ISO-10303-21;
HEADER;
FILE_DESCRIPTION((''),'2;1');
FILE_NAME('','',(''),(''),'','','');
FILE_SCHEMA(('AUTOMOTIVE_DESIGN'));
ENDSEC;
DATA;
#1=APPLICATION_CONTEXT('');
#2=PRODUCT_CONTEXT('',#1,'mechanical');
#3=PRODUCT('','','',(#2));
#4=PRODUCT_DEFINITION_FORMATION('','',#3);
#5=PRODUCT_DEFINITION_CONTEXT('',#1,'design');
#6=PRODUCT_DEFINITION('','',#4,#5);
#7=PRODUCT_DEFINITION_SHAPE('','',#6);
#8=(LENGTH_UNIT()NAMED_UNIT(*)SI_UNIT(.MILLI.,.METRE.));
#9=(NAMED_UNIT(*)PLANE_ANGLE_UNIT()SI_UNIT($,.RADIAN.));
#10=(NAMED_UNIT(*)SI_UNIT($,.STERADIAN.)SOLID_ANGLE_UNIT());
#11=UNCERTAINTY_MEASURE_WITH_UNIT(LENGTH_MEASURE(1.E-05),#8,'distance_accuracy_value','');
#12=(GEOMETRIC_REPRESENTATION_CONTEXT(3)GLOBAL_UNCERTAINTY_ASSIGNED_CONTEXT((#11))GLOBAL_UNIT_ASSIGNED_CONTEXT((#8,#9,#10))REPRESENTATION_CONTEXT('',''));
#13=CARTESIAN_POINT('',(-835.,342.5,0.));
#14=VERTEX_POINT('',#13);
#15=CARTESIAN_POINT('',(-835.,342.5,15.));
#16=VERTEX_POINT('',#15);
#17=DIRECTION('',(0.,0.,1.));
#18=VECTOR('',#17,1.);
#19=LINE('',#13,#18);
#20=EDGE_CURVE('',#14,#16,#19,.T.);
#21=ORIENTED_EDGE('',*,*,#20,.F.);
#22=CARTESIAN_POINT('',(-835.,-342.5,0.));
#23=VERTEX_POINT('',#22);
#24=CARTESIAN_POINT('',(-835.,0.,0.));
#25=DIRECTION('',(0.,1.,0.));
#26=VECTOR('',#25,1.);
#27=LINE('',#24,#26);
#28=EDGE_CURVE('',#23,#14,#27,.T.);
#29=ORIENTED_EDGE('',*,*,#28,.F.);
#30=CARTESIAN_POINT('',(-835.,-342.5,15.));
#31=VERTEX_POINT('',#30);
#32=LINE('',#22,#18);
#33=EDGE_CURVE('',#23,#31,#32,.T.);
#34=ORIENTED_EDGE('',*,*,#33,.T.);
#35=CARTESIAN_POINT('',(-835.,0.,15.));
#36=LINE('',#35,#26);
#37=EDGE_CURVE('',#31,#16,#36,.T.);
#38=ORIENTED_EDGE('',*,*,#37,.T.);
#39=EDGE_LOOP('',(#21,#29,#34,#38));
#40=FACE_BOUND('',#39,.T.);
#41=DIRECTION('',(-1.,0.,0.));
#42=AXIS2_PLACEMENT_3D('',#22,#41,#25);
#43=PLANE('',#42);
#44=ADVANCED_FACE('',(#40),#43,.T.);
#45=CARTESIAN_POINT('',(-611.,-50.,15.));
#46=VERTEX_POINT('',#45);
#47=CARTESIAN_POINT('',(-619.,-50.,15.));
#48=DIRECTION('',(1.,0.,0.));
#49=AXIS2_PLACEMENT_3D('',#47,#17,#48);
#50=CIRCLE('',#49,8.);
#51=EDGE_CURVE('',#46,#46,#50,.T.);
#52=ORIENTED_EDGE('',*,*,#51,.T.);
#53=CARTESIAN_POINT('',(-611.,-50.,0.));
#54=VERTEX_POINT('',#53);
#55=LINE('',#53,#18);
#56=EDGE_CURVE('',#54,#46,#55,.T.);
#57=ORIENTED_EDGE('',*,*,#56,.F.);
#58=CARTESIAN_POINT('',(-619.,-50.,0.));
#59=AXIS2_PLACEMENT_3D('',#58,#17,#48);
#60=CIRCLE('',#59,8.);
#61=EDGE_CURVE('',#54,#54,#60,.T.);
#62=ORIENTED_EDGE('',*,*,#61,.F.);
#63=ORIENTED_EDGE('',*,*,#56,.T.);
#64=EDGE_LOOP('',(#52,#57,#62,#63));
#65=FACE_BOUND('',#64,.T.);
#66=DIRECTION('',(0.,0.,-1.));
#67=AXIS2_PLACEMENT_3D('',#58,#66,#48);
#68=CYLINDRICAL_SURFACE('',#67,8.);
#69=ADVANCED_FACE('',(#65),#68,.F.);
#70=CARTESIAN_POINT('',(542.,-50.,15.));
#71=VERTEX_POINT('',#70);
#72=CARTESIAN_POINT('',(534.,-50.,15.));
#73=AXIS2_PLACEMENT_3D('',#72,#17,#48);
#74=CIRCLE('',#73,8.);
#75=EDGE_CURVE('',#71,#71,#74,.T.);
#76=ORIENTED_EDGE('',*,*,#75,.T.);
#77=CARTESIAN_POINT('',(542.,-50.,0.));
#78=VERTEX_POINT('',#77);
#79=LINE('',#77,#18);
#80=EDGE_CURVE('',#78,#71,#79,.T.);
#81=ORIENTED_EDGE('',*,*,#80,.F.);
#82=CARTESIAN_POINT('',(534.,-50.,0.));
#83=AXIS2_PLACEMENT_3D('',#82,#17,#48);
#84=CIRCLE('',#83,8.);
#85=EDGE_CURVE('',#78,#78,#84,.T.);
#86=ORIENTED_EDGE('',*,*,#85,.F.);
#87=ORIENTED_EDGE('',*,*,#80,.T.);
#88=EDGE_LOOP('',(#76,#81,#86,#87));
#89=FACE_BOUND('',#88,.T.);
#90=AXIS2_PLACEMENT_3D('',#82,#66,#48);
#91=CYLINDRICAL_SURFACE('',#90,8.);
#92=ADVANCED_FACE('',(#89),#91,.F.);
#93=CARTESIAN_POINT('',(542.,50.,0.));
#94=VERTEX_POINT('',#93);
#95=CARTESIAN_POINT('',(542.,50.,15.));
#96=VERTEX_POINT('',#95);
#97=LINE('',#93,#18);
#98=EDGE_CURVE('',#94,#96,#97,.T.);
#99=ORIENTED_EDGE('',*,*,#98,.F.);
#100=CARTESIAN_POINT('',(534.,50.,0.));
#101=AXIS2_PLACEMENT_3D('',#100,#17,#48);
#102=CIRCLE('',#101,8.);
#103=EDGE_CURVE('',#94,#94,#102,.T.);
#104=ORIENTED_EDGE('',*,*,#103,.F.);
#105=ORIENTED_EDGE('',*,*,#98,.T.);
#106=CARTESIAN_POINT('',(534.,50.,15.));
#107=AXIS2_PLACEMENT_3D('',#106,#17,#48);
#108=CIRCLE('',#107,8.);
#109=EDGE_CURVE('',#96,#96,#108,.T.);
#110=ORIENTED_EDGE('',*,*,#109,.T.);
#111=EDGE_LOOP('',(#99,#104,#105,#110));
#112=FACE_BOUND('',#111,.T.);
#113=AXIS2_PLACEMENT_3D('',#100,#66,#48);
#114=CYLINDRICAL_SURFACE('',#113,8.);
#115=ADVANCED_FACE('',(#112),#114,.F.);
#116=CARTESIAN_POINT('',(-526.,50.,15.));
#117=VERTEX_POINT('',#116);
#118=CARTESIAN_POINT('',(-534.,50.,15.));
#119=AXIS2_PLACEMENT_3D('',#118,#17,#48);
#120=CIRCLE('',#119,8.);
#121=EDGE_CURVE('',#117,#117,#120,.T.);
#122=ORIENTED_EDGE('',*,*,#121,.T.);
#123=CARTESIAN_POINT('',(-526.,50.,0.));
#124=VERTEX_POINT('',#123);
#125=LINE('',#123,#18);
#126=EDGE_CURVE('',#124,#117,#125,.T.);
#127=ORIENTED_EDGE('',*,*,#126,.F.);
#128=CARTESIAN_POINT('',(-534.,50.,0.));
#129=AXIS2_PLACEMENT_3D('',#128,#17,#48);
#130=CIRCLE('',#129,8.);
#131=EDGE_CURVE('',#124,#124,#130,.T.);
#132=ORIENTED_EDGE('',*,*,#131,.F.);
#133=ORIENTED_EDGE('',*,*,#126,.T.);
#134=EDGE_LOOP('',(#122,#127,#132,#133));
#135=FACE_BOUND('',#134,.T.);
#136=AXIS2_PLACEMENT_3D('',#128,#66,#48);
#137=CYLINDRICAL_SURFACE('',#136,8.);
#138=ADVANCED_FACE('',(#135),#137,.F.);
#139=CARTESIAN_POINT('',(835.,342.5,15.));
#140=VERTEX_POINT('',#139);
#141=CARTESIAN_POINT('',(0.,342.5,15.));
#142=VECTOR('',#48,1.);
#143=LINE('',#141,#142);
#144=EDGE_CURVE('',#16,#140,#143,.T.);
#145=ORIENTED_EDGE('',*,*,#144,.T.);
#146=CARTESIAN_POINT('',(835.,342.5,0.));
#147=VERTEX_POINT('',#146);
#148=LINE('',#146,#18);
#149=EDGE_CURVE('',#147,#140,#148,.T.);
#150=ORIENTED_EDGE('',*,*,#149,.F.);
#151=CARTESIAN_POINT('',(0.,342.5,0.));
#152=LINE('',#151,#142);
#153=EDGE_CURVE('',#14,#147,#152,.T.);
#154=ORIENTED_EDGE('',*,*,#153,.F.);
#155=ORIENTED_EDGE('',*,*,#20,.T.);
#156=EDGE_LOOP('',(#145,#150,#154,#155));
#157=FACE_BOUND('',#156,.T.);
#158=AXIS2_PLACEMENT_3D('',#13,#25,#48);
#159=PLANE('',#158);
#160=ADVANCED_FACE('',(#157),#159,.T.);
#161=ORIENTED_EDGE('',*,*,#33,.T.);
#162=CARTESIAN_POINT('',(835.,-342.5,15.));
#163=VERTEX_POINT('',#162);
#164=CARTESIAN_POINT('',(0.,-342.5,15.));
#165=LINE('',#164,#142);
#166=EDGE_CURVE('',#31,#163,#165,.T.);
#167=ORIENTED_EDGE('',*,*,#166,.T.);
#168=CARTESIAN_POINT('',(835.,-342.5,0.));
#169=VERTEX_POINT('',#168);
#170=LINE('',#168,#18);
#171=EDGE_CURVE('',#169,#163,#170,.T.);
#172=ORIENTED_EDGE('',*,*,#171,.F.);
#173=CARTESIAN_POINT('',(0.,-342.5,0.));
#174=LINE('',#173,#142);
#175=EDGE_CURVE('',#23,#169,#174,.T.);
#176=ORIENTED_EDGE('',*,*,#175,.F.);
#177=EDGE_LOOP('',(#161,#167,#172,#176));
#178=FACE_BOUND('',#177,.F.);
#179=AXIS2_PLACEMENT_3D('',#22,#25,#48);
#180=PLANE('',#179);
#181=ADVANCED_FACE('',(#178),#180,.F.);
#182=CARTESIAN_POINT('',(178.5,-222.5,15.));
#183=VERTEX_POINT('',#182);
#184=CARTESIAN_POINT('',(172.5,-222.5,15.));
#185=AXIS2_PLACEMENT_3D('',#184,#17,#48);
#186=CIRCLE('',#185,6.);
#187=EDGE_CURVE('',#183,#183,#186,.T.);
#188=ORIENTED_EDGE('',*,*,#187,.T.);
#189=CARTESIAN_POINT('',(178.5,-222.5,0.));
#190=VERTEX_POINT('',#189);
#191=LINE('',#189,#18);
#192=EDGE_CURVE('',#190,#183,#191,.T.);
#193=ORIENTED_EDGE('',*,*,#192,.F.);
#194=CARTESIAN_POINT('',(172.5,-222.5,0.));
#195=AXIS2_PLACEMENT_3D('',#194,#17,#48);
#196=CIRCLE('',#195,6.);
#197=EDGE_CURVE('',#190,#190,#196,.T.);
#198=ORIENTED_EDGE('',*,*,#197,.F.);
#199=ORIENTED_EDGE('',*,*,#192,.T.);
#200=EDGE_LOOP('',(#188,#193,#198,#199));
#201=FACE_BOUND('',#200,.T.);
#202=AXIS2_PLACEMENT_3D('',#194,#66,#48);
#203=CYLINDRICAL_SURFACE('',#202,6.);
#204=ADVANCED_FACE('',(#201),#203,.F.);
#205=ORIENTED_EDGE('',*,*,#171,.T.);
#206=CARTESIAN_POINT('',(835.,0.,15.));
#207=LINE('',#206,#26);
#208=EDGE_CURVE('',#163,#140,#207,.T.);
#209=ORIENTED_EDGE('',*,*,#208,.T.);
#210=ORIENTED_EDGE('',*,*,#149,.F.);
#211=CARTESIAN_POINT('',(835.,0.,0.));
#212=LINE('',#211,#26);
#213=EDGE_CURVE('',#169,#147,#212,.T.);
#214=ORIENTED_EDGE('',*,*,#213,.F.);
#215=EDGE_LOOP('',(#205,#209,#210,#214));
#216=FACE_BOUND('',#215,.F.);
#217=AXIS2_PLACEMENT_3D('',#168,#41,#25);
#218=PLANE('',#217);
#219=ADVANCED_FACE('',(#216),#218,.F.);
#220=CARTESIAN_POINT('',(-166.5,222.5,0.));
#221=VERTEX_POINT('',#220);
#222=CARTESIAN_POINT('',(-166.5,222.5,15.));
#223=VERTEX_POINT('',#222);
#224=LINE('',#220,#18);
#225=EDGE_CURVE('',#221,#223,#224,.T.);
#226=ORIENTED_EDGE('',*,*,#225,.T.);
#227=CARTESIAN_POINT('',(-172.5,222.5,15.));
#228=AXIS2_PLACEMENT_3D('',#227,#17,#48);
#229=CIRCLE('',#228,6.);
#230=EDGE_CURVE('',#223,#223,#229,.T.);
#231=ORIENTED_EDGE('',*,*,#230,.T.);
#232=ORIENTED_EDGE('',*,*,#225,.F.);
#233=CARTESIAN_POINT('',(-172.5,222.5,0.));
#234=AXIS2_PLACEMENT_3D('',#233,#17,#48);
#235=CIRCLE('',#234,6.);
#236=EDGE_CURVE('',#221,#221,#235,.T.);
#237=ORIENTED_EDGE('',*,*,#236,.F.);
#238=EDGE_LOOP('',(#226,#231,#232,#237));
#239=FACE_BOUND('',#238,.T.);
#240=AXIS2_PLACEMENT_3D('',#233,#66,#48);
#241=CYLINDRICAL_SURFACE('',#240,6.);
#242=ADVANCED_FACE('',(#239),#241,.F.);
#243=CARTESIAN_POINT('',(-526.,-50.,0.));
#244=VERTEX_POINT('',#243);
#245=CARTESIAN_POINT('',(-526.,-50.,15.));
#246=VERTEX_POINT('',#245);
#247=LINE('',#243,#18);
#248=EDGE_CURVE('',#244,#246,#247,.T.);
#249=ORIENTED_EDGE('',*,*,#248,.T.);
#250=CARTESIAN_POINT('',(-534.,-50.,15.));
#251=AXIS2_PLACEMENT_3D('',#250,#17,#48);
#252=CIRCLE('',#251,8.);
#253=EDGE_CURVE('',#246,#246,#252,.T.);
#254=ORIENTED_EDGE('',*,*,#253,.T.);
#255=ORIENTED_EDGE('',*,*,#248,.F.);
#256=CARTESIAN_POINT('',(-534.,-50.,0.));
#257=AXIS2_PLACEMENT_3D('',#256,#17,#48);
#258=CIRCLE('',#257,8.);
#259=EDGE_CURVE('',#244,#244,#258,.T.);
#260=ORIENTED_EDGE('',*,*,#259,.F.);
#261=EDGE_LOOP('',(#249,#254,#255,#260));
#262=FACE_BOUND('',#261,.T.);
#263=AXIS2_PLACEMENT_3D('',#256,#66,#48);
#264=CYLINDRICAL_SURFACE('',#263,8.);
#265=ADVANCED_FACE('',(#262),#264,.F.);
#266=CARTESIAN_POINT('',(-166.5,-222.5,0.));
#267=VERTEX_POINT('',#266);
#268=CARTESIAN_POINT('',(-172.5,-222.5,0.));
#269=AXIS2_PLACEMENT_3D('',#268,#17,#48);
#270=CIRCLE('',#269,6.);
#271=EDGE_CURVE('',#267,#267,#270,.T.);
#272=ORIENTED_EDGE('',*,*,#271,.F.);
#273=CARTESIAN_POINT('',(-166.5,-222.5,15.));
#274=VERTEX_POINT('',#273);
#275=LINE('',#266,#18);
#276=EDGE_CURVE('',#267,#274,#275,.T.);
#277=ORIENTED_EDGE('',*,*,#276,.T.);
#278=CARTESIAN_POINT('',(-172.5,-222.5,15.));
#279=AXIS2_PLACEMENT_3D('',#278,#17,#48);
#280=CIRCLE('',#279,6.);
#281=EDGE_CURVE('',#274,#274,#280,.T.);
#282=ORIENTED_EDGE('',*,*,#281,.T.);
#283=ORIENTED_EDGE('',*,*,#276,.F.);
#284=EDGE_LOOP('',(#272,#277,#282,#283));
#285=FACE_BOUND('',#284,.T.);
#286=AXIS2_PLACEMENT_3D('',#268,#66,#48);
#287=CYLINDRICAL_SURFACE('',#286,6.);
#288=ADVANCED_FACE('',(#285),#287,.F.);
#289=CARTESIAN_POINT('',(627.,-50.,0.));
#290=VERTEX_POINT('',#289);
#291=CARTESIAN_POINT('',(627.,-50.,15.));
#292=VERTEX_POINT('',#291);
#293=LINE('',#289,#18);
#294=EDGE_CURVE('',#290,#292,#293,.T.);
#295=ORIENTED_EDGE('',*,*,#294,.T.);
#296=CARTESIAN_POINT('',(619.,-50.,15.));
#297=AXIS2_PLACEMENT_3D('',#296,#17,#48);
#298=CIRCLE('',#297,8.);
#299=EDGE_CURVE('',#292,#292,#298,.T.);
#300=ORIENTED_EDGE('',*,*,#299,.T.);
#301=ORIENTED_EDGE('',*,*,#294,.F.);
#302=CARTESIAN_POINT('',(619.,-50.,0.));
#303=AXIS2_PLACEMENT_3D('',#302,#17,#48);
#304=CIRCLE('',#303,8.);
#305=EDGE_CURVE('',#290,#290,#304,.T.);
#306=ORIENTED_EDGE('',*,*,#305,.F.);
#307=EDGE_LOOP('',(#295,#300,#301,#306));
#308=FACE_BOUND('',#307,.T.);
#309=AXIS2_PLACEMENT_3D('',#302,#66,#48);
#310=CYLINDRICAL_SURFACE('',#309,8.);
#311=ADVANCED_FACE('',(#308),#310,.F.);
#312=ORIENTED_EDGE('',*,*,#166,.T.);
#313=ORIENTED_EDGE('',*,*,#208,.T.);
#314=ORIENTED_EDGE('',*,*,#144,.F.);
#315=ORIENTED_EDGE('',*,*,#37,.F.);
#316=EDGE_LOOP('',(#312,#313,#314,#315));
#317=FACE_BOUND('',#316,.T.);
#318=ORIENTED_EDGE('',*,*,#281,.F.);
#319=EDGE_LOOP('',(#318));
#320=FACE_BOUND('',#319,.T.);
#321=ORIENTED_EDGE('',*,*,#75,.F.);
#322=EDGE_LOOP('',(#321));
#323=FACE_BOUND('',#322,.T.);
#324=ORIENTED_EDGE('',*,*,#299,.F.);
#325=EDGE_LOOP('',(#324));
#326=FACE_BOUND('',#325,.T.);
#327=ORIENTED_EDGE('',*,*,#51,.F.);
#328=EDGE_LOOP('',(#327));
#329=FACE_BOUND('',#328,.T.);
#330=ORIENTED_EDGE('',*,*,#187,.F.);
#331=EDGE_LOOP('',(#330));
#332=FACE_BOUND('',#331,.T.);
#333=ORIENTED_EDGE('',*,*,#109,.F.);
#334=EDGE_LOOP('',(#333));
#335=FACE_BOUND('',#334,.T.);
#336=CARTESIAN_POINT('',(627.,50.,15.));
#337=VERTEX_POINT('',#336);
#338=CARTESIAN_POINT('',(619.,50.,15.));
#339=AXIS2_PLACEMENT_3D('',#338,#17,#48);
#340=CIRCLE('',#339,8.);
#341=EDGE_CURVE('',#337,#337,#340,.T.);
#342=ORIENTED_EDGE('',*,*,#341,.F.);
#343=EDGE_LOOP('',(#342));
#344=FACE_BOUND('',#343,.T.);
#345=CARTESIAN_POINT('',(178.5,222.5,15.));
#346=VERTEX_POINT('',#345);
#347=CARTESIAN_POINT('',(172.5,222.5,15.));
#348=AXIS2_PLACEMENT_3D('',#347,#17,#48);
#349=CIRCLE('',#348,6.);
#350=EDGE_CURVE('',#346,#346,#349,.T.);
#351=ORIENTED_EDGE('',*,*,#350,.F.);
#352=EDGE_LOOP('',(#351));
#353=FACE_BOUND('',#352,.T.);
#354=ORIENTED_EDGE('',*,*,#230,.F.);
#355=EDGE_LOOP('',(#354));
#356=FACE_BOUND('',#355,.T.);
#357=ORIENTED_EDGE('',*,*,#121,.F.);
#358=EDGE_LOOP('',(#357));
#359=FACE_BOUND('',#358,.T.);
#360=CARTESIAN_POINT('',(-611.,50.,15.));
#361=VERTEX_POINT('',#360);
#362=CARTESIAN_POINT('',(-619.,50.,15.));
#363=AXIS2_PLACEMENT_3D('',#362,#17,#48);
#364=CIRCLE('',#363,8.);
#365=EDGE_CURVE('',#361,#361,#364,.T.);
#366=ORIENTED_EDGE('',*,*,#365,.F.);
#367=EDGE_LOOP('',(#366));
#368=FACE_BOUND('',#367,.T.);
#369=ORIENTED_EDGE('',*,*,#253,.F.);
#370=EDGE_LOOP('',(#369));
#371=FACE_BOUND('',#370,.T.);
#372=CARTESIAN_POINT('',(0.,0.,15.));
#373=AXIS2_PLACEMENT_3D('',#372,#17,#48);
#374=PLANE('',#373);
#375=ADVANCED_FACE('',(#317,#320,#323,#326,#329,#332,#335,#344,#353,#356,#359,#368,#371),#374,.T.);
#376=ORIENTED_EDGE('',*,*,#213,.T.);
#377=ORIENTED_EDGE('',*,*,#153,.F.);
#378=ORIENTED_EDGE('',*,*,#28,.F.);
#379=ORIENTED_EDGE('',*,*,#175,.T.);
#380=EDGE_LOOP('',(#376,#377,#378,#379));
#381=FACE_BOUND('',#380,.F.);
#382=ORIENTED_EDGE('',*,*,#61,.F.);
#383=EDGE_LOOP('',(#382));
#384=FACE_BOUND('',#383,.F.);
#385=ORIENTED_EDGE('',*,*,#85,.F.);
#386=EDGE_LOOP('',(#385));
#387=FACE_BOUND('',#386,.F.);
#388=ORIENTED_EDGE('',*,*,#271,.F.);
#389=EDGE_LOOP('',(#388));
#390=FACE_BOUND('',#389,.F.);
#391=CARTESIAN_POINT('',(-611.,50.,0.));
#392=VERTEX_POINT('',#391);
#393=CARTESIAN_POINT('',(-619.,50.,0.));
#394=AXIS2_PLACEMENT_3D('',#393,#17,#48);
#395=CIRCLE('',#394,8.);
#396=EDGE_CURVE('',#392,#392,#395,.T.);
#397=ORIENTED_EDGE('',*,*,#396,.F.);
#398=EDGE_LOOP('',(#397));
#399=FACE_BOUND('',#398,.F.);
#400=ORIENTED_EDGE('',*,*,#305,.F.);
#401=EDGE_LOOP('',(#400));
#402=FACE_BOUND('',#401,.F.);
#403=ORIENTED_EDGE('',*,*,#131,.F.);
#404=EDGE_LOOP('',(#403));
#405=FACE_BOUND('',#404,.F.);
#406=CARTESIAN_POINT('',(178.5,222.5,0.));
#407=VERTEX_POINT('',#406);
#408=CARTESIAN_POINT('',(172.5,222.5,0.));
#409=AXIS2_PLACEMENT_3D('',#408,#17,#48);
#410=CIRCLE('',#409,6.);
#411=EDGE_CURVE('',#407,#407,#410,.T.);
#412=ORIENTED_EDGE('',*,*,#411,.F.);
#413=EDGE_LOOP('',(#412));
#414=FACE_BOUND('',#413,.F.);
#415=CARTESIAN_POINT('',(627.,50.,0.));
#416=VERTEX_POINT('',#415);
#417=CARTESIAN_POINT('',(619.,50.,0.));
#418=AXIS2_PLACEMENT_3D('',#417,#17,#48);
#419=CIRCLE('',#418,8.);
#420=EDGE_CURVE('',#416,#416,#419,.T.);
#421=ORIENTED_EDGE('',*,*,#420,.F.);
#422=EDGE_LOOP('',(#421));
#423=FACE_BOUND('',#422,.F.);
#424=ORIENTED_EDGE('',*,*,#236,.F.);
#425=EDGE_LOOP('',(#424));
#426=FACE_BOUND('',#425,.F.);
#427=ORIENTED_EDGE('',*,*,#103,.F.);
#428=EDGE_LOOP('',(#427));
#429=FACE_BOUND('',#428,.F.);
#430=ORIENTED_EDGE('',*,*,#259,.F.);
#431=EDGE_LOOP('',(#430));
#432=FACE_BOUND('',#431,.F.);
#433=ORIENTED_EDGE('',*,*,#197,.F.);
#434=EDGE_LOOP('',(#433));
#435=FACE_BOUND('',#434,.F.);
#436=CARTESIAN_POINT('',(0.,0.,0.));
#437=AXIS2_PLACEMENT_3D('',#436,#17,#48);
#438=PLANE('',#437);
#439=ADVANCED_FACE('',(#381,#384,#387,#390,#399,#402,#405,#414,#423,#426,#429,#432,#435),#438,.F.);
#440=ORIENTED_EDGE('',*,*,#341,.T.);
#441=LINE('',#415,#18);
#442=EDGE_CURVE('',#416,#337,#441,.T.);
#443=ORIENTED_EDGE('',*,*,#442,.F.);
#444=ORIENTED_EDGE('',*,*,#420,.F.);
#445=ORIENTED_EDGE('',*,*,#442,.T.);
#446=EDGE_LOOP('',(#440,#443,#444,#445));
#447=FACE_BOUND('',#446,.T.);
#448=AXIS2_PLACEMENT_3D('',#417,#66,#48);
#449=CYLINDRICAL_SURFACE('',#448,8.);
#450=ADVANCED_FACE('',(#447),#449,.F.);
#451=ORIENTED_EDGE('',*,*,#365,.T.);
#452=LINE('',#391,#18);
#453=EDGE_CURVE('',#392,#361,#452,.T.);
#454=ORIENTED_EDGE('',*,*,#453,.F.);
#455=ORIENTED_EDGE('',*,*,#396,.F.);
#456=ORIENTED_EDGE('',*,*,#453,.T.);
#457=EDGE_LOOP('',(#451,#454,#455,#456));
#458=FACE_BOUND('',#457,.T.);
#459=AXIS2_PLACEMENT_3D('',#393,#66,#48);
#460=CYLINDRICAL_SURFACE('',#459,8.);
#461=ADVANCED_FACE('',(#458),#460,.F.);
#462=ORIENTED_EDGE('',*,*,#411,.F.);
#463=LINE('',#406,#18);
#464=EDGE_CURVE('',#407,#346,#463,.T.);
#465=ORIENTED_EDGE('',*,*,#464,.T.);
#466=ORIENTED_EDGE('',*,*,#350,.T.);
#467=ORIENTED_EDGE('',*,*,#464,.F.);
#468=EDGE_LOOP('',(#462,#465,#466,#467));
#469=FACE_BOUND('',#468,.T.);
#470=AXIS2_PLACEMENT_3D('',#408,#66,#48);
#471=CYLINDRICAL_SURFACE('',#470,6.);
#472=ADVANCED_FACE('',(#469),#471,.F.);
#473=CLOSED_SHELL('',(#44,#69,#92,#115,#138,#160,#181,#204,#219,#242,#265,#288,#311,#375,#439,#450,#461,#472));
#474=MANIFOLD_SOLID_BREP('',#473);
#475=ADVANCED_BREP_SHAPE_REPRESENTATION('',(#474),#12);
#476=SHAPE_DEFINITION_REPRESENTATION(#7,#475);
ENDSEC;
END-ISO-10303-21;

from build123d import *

# Parameters (mm, degrees)
F0_W     = 1670
F0_H     = 685
F0_R     = 6
F0_R_2   = 8
F1_DEPTH = 15


with BuildPart() as f1:
    # F0 (on Top) → F1 (new body)
    with BuildSketch(Plane.XY):
        Rectangle(F0_W, F0_H)
        with Locations((-172.5, -222.5)):
            Circle(F0_R, mode=Mode.SUBTRACT)
        with Locations((-619, -50)):
            Circle(F0_R_2, mode=Mode.SUBTRACT)
        with Locations((-534, -50)):
            Circle(F0_R_2, mode=Mode.SUBTRACT)
        with Locations((172.5, -222.5)):
            Circle(F0_R, mode=Mode.SUBTRACT)
        with Locations((534, -50)):
            Circle(F0_R_2, mode=Mode.SUBTRACT)
        with Locations((619, -50)):
            Circle(F0_R_2, mode=Mode.SUBTRACT)
        with Locations((-619, 50)):
            Circle(F0_R_2, mode=Mode.SUBTRACT)
        with Locations((-534, 50)):
            Circle(F0_R_2, mode=Mode.SUBTRACT)
        with Locations((-172.5, 222.5)):
            Circle(F0_R, mode=Mode.SUBTRACT)
        with Locations((534, 50)):
            Circle(F0_R_2, mode=Mode.SUBTRACT)
        with Locations((619, 50)):
            Circle(F0_R_2, mode=Mode.SUBTRACT)
        with Locations((172.5, 222.5)):
            Circle(F0_R, mode=Mode.SUBTRACT)
    extrude(amount=F1_DEPTH)


solid = f1.part
